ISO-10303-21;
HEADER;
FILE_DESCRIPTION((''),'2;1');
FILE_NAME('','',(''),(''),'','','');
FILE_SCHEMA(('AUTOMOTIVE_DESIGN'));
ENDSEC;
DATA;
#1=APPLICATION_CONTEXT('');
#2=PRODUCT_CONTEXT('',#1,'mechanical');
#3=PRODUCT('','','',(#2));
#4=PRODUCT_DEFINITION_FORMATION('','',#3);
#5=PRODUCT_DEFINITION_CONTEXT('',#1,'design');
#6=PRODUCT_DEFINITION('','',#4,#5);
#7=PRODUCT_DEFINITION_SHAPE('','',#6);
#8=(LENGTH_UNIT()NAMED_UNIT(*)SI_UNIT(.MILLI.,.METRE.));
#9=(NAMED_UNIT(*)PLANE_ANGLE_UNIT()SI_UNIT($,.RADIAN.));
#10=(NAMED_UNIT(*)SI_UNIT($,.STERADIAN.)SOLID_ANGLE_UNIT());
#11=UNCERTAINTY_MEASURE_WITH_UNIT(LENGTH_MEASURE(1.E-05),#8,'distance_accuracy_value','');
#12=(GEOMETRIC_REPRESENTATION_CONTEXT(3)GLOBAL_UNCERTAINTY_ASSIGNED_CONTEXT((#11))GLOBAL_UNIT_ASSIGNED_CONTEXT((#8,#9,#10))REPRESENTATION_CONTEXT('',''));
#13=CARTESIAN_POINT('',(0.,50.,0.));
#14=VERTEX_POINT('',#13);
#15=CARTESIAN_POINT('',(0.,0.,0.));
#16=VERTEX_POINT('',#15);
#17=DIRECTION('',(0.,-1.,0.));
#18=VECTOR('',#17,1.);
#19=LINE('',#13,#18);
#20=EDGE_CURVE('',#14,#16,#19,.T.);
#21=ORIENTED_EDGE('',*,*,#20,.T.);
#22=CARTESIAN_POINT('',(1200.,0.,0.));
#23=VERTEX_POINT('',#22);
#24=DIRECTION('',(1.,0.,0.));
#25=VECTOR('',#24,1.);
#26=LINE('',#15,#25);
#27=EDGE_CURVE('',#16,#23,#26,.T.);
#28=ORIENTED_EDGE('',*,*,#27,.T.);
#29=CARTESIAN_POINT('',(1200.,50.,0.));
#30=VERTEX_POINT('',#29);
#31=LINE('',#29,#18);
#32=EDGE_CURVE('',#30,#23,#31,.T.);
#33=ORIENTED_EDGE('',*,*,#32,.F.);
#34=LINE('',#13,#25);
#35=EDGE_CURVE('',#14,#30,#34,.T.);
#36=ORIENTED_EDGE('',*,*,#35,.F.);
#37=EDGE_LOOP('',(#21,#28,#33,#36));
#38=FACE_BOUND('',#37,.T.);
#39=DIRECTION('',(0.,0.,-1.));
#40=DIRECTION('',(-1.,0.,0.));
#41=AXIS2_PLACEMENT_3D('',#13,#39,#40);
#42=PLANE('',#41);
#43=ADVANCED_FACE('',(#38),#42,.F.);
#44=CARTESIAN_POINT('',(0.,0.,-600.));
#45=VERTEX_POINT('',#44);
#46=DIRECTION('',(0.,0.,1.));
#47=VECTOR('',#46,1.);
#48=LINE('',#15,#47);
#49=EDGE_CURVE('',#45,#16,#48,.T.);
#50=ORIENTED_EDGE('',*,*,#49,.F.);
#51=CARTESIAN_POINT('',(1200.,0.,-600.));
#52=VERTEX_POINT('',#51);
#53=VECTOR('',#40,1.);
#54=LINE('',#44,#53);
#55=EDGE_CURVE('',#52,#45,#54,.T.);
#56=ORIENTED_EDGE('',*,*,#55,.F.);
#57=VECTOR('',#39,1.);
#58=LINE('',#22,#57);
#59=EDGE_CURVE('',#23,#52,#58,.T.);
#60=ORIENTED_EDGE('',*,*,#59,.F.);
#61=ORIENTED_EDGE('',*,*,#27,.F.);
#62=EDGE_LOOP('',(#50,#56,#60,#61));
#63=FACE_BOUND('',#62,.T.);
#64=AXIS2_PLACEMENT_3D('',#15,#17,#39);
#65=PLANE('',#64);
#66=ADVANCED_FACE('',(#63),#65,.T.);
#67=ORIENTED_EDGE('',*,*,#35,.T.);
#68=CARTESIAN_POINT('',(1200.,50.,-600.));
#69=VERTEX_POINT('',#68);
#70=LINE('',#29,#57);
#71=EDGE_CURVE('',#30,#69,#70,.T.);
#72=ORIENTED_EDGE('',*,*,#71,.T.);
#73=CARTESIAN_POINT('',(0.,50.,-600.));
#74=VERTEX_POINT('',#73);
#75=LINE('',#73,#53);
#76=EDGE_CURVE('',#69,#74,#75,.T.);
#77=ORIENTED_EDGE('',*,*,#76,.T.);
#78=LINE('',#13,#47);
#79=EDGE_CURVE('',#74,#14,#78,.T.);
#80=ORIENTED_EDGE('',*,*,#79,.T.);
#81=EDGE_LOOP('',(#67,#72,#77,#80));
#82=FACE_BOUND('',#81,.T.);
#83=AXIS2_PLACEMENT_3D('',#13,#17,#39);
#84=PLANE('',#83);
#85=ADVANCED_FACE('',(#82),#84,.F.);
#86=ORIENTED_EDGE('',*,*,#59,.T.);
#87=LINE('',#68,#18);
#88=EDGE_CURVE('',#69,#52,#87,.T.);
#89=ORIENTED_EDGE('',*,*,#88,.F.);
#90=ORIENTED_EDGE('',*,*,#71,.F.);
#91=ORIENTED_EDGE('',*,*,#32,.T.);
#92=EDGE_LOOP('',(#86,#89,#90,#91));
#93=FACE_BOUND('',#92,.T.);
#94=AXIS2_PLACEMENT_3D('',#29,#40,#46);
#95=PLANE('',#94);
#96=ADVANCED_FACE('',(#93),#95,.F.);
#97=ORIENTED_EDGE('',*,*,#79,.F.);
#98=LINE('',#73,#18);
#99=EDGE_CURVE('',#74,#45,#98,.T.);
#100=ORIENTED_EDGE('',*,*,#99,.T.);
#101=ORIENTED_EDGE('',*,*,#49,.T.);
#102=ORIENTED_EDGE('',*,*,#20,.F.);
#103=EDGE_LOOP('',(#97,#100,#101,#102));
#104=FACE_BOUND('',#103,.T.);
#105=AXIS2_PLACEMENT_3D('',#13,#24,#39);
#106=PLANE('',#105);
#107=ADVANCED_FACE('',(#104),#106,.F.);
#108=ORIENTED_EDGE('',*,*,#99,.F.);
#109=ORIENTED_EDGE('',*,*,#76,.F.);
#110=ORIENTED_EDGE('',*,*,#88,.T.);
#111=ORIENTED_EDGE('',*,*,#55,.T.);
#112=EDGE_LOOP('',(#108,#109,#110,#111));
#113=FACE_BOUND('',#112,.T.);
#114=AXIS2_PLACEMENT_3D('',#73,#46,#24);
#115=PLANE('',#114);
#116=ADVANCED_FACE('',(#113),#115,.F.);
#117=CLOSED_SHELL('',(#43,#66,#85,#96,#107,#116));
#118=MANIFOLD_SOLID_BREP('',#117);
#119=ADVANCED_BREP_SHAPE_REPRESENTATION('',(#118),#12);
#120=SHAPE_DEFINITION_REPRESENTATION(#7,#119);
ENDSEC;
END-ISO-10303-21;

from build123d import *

# Parameters (mm, degrees)
SKETCH_1_W      = 1200
SKETCH_1_H      = 600
EXTRUDE_1_DEPTH = 50


with BuildPart() as part:
    # Эскиз1 → Бобышка-Вытянуть1 (new body)
    with BuildSketch(Plane(origin=(0, 0, 0), x_dir=(1, 0, 0), z_dir=(0, 1, 0))):
        with Locations((600, 300)):
            Rectangle(SKETCH_1_W, SKETCH_1_H)
    extrude(amount=EXTRUDE_1_DEPTH)


solid = part.part
